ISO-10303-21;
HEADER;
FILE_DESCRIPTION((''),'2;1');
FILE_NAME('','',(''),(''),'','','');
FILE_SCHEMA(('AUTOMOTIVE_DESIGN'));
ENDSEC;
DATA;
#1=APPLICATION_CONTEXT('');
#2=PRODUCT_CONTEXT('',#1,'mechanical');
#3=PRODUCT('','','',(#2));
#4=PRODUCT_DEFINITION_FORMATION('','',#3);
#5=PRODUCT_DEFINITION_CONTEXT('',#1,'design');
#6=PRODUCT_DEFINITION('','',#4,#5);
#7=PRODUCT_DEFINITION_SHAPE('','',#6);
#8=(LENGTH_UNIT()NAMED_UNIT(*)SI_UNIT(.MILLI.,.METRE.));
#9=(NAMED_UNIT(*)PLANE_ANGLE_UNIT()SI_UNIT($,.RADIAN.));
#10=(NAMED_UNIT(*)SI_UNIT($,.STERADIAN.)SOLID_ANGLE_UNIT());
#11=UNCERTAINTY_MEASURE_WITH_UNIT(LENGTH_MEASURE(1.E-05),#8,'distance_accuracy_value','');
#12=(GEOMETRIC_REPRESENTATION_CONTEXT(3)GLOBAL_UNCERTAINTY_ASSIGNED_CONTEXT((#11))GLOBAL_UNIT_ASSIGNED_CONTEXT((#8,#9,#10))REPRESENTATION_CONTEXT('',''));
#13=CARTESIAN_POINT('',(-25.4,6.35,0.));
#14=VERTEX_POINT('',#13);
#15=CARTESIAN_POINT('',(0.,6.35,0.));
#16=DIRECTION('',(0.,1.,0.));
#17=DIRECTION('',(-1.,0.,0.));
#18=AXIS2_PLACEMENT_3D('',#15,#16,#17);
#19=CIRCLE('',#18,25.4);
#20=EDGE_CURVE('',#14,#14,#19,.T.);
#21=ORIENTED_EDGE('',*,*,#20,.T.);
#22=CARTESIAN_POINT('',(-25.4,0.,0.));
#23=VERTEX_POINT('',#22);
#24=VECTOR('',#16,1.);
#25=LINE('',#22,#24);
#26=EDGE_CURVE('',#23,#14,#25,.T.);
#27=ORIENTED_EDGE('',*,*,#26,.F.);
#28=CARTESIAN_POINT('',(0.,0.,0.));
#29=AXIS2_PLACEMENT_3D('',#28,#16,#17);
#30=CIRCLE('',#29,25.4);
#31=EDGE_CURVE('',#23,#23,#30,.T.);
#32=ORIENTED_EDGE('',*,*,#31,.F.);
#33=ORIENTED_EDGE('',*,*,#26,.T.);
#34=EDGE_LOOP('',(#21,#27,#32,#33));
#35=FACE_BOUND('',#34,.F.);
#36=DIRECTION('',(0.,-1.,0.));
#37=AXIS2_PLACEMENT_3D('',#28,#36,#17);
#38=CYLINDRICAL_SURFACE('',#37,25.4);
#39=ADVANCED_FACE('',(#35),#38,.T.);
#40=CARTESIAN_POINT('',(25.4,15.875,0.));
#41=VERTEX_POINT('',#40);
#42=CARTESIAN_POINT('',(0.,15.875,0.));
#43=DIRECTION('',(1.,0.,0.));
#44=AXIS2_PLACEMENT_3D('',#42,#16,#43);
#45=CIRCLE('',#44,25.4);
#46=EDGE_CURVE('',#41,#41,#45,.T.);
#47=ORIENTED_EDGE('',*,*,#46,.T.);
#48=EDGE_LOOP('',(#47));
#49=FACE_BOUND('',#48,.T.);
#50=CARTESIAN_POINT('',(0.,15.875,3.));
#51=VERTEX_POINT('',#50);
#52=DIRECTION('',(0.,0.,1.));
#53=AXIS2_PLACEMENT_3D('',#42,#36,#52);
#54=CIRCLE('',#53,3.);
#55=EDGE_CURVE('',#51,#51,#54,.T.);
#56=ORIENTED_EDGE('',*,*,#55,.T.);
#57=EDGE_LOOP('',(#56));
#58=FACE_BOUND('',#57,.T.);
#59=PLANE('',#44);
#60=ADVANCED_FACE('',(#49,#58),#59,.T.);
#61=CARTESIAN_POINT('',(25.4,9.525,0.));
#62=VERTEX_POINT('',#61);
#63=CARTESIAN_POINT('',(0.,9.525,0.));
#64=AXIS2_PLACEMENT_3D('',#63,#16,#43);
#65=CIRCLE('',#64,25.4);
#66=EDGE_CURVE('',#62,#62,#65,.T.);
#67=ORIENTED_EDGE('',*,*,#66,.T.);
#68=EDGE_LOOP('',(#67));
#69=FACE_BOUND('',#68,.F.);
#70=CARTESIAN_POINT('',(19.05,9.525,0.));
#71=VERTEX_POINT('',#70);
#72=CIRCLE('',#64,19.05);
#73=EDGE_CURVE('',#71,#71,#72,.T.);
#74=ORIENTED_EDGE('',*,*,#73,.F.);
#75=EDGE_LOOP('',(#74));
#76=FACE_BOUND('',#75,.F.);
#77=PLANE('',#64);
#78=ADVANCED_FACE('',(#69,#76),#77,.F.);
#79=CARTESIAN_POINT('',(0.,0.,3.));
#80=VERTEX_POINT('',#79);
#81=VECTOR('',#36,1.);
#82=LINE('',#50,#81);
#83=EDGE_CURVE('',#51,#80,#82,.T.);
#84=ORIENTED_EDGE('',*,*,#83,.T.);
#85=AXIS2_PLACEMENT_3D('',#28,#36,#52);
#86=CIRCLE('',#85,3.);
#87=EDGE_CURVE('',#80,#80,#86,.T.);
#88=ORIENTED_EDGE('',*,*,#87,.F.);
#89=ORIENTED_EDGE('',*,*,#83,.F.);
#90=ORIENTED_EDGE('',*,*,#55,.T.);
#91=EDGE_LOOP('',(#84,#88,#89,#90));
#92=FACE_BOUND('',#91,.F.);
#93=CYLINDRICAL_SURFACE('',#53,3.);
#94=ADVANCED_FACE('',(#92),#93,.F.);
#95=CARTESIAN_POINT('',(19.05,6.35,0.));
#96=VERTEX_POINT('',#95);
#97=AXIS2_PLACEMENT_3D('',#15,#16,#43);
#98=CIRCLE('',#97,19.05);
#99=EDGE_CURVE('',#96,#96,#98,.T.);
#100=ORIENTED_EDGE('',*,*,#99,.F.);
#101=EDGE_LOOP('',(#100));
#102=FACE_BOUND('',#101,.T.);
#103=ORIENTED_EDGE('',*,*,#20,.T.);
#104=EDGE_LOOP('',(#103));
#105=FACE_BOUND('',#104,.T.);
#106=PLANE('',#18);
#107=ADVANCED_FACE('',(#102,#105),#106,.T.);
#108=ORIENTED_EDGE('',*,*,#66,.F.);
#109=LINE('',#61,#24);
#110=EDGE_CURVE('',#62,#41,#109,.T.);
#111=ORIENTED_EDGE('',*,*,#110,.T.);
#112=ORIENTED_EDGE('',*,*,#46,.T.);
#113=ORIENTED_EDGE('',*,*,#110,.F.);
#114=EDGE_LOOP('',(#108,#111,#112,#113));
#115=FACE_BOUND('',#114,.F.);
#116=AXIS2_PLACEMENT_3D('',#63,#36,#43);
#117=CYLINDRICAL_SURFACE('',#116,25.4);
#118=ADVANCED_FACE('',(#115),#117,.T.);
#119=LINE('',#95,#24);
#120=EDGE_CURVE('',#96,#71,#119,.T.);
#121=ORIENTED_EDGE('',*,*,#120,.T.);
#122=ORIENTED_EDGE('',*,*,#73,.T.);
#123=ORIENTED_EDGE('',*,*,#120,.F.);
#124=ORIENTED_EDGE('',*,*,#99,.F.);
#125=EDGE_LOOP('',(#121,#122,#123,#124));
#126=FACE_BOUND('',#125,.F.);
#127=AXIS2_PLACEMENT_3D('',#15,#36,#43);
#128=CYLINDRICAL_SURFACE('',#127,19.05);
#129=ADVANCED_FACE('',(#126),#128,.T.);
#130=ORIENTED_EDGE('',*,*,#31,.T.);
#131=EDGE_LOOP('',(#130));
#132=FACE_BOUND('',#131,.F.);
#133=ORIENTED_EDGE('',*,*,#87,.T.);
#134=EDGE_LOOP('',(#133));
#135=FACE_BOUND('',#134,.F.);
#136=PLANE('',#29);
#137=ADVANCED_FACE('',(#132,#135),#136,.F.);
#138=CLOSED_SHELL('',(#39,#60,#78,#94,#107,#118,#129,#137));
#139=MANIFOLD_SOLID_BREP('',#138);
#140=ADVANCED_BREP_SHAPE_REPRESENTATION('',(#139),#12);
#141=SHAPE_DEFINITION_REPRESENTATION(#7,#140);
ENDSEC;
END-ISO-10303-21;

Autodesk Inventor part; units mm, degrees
ref_plane "YZ Plane" through (0, 0, 0) normal (1, 0, 0) x (0, 1, 0)
ref_plane "XZ Plane" through (0, 0, 0) normal (0, 1, 0) x (-1, 0, 0)
ref_plane "XY Plane" through (0, 0, 0) normal (0, 0, 1) x (1, 0, 0)
sketch "Sketch1" plane through (0, 0, 0) normal (0, 1, 0) x (-1, 0, 0)
  circle A0 centre (0, 0) radius 25.4
  dimension "d0" = 50.8
extrude "Extrusion1" add sketch "Sketch1" along normal blind 6.35
sketch "Sketch2" plane through (0, 6.35, 0) normal (0, 1, 0) x (1, 0, 0)
  circle A0 centre (0, 0) radius 19.05
  dimension "d3" = 38.1
extrude "Extrusion2" add sketch "Sketch2" along normal blind 3.175
sketch "Sketch3" plane through (0, 9.525, 0) normal (0, 1, 0) x (1, 0, 0)
  circle A0 centre (0, 0) radius 25.4
extrude "Extrusion3" add sketch "Sketch3" along normal blind 6.35
sketch "Sketch5" plane through (0, 15.875, 0) normal (0, 1, 0) x (1, 0, 0)
  circle A0 centre (0, 0) radius 3
  dimension "d10" = 6
hole "Hole1" at (0, 15.875, 0) direction (0, -1, 0) diameter 6 end through all
properties part number "Wheel_design"
